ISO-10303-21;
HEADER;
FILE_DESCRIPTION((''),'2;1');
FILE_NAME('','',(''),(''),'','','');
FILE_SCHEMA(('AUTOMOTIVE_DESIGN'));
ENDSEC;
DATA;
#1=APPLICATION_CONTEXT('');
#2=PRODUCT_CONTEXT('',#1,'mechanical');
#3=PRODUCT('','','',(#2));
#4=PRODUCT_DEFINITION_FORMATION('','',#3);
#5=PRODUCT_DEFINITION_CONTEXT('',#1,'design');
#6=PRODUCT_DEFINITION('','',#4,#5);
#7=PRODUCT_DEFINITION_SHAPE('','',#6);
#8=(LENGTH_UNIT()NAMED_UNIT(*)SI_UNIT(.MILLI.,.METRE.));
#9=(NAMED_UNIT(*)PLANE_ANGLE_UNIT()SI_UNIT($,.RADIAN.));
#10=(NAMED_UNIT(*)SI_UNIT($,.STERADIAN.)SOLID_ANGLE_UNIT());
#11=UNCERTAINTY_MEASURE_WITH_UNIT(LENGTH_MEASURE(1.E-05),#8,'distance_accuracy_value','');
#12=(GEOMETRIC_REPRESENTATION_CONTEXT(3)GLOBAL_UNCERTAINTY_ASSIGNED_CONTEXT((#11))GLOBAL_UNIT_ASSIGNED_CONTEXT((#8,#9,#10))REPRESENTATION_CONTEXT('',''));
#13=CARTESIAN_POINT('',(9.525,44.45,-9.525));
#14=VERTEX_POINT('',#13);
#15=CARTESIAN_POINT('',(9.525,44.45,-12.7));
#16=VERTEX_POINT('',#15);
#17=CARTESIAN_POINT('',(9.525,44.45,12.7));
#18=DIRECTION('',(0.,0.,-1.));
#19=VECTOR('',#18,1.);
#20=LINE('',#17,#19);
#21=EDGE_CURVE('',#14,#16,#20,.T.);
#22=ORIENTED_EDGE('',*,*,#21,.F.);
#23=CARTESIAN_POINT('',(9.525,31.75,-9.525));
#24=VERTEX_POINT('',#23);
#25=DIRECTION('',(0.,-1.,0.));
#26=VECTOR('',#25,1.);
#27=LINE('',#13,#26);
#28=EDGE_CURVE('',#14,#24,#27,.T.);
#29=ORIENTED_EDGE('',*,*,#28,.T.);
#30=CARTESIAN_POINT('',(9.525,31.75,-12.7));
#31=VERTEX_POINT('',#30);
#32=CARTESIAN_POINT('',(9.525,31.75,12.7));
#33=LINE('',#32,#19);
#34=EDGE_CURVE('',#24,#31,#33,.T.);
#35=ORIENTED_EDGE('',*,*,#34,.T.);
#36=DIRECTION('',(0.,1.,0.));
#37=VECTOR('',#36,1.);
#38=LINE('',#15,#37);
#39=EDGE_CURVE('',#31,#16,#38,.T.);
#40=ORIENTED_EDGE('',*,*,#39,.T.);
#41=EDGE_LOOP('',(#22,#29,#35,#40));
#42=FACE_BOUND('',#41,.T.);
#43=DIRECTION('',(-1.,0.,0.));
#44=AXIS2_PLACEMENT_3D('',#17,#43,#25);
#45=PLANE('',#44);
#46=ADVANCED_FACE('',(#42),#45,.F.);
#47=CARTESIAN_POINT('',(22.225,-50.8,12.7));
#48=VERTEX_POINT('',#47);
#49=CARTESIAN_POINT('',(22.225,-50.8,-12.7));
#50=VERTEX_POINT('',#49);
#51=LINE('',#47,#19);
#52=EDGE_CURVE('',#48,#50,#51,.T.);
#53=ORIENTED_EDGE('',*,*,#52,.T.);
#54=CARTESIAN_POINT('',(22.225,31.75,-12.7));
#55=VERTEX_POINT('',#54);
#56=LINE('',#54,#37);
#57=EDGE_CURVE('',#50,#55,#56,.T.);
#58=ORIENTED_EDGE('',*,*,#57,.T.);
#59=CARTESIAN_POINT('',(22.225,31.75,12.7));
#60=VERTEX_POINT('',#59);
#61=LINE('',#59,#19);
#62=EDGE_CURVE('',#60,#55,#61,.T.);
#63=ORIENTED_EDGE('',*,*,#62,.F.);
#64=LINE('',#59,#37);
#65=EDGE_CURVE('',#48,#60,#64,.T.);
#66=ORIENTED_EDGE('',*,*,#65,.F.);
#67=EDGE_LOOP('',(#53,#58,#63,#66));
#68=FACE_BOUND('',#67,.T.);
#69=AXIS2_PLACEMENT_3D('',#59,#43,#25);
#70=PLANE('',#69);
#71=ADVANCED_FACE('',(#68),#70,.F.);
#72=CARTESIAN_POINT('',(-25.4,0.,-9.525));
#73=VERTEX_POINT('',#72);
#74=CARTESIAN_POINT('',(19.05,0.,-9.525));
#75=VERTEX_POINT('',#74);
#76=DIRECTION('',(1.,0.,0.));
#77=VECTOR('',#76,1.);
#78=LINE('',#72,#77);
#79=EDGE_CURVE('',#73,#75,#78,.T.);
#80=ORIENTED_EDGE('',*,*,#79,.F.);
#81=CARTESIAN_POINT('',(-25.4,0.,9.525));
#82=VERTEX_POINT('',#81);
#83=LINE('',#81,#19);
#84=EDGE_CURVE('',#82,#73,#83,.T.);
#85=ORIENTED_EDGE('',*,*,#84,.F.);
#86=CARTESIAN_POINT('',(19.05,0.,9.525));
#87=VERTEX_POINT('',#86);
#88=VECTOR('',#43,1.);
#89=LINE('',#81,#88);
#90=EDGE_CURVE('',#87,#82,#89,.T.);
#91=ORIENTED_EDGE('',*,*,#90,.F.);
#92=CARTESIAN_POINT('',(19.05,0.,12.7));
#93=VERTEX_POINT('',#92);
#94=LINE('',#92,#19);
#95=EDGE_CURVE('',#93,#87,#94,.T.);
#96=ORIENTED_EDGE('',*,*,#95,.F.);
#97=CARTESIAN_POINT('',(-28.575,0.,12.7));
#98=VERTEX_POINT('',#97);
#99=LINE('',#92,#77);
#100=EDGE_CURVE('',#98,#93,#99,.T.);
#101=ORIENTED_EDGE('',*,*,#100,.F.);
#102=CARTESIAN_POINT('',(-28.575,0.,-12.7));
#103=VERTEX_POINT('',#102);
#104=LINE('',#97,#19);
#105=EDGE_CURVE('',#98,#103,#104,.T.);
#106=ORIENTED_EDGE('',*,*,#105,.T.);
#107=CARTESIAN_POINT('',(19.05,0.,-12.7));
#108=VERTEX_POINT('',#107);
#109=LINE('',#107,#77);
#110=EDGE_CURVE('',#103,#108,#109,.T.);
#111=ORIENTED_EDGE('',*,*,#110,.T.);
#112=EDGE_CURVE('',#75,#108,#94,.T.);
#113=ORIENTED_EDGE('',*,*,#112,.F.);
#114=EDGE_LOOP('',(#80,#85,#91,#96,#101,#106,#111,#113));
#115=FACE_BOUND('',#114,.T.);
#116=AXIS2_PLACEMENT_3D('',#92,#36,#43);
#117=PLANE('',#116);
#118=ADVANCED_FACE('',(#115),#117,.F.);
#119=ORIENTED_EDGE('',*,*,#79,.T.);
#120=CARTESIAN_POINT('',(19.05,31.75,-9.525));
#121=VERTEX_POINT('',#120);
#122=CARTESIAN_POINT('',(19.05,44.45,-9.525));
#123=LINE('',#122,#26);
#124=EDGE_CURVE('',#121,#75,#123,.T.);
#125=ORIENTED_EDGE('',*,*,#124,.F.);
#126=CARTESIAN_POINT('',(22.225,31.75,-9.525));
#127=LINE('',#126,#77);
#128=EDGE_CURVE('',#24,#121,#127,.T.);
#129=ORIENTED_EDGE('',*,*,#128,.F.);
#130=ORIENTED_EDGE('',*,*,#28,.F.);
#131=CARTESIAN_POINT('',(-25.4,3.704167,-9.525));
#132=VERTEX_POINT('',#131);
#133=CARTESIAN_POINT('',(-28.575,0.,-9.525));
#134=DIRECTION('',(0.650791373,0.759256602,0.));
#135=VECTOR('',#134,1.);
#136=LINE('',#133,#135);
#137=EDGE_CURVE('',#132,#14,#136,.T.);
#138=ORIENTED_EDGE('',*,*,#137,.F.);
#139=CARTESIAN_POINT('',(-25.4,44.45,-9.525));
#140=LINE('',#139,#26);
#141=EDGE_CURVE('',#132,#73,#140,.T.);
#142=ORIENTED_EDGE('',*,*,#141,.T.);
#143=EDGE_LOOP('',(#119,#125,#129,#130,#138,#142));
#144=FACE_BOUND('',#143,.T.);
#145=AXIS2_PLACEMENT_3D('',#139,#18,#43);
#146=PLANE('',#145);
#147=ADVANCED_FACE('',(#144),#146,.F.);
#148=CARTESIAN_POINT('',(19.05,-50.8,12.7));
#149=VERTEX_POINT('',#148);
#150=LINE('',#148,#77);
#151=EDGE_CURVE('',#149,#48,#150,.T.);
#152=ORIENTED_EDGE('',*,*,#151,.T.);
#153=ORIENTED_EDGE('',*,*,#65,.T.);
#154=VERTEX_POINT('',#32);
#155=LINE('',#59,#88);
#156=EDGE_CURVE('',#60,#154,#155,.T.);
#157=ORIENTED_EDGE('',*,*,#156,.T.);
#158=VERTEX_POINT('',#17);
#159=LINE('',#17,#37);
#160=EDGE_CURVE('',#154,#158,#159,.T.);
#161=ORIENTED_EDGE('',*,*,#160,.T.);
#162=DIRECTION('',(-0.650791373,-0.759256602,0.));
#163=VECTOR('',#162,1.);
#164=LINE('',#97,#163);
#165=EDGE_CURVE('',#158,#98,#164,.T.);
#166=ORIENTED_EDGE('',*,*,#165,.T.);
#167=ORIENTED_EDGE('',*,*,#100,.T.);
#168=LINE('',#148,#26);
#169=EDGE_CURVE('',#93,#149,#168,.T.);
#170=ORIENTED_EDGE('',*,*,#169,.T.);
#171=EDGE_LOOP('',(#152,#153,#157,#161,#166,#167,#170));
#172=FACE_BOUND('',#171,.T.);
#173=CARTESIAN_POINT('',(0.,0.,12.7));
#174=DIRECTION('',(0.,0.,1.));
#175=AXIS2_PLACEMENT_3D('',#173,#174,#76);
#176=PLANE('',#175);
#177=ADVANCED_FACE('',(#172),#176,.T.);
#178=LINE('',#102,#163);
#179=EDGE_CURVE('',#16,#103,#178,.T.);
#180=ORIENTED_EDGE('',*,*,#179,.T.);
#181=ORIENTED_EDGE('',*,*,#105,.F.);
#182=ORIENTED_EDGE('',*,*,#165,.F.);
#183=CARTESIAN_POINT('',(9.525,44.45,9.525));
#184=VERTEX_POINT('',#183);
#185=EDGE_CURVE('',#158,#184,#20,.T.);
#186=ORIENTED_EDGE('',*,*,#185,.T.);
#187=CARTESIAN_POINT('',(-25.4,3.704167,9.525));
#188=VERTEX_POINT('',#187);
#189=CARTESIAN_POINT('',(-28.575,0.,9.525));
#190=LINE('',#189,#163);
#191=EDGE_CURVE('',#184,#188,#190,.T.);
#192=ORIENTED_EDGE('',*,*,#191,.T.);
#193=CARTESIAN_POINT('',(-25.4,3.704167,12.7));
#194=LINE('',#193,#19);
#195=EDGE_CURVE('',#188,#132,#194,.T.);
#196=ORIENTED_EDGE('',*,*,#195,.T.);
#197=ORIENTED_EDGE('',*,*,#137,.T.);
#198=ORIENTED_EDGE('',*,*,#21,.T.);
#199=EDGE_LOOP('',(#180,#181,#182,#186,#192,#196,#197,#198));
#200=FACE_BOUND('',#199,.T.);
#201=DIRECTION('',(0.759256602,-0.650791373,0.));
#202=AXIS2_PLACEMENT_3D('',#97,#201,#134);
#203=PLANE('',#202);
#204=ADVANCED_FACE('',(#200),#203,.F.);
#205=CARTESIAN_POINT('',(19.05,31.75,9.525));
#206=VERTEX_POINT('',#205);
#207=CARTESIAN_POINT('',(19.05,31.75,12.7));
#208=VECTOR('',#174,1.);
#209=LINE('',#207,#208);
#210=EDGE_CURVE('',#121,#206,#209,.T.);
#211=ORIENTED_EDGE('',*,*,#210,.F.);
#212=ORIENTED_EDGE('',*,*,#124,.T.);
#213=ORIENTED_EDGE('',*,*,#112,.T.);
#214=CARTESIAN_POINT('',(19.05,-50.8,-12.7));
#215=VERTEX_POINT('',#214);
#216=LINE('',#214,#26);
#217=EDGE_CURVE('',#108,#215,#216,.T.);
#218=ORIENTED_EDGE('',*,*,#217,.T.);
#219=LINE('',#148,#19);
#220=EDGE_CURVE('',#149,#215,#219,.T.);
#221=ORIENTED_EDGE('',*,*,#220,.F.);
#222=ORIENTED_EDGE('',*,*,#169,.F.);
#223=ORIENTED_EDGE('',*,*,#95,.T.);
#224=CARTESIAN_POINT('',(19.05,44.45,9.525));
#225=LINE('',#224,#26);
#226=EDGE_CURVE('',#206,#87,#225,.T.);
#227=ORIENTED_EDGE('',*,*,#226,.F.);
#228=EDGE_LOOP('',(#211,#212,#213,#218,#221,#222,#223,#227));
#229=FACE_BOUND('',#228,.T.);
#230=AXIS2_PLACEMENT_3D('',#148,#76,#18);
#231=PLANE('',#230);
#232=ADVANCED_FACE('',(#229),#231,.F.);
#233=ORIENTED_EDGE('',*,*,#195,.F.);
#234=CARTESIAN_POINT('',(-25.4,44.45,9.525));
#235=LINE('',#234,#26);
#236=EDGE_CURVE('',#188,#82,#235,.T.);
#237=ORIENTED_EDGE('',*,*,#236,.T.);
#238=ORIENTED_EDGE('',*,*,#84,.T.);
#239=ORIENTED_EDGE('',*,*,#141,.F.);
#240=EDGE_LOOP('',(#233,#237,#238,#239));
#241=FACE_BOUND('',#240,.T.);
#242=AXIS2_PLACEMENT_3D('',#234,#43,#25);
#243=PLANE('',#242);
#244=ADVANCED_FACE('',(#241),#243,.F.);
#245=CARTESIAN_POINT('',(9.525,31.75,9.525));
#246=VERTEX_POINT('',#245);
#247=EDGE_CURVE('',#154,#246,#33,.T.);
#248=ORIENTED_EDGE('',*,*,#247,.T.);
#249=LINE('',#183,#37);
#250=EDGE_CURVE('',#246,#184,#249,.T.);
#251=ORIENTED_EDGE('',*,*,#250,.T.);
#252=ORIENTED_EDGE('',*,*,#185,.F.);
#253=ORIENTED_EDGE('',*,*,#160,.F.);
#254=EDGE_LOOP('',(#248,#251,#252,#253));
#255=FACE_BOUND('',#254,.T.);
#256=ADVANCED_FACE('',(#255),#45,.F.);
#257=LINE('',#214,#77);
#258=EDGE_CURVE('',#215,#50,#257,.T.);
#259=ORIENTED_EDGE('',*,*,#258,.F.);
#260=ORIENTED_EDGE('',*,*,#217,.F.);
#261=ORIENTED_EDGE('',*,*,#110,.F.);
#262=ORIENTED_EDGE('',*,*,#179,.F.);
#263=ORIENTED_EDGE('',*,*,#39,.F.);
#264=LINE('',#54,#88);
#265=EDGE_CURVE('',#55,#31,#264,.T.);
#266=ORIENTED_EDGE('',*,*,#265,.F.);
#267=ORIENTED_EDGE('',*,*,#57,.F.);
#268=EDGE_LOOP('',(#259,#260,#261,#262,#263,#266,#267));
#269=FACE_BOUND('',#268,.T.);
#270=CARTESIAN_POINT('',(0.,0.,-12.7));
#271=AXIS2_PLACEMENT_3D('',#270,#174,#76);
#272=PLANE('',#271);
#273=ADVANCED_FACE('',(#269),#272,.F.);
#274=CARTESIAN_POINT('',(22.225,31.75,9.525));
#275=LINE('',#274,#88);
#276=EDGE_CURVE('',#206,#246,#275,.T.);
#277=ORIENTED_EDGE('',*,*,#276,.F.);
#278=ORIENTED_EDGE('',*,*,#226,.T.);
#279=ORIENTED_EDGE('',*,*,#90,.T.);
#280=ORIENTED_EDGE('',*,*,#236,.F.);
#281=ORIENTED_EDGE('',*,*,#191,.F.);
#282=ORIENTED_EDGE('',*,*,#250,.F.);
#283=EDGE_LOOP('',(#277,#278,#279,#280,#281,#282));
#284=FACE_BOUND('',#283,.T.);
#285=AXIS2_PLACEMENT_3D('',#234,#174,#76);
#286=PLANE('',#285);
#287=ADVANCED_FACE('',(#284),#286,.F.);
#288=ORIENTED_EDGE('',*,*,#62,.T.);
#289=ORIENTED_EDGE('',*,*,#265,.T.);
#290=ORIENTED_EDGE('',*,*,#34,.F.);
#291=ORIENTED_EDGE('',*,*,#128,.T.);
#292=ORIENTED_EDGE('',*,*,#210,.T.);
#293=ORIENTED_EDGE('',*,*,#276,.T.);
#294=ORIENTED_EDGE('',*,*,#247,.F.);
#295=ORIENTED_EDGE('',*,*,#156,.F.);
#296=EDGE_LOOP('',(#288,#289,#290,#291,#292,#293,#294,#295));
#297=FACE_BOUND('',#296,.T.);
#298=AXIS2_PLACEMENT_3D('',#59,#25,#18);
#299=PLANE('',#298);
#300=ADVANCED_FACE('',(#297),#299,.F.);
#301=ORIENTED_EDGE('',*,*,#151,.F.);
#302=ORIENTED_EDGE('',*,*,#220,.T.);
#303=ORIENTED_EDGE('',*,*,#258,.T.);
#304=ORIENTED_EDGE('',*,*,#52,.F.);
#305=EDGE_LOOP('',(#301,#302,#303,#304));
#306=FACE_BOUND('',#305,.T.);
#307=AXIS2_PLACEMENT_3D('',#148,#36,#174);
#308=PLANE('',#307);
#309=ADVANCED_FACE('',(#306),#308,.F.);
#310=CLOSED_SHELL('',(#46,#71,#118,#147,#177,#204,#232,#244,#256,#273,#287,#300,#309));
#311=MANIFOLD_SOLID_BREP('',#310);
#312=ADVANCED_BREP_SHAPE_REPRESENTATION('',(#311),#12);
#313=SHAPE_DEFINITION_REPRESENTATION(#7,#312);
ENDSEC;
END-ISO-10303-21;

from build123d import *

# Parameters (mm, degrees)
BOSS_EXTRUDE1_DEPTH = 12.7
SKETCH2_W           = 44.45
SKETCH2_H           = 19.05
CUT_EXTRUDE1_DEPTH  = 60.652834174


with BuildPart() as part:
    # Sketch1 → Boss-Extrude1 (new, symmetric)
    with BuildSketch(Plane.XY):
        Polygon((19.05, -50.8), (19.05, 0), (-28.575, 0), (9.525, 44.45), (9.525, 31.75), (22.225, 31.75), (22.225, -50.8), align=None)
    extrude(amount=BOSS_EXTRUDE1_DEPTH, both=True)

    # Sketch2 → Cut-Extrude1 (cut, through all)
    with BuildSketch(Plane.XZ):
        with Locations((-3.175, 0)):
            Rectangle(SKETCH2_W, SKETCH2_H)
    extrude(amount=-CUT_EXTRUDE1_DEPTH, mode=Mode.SUBTRACT)


solid = part.part
